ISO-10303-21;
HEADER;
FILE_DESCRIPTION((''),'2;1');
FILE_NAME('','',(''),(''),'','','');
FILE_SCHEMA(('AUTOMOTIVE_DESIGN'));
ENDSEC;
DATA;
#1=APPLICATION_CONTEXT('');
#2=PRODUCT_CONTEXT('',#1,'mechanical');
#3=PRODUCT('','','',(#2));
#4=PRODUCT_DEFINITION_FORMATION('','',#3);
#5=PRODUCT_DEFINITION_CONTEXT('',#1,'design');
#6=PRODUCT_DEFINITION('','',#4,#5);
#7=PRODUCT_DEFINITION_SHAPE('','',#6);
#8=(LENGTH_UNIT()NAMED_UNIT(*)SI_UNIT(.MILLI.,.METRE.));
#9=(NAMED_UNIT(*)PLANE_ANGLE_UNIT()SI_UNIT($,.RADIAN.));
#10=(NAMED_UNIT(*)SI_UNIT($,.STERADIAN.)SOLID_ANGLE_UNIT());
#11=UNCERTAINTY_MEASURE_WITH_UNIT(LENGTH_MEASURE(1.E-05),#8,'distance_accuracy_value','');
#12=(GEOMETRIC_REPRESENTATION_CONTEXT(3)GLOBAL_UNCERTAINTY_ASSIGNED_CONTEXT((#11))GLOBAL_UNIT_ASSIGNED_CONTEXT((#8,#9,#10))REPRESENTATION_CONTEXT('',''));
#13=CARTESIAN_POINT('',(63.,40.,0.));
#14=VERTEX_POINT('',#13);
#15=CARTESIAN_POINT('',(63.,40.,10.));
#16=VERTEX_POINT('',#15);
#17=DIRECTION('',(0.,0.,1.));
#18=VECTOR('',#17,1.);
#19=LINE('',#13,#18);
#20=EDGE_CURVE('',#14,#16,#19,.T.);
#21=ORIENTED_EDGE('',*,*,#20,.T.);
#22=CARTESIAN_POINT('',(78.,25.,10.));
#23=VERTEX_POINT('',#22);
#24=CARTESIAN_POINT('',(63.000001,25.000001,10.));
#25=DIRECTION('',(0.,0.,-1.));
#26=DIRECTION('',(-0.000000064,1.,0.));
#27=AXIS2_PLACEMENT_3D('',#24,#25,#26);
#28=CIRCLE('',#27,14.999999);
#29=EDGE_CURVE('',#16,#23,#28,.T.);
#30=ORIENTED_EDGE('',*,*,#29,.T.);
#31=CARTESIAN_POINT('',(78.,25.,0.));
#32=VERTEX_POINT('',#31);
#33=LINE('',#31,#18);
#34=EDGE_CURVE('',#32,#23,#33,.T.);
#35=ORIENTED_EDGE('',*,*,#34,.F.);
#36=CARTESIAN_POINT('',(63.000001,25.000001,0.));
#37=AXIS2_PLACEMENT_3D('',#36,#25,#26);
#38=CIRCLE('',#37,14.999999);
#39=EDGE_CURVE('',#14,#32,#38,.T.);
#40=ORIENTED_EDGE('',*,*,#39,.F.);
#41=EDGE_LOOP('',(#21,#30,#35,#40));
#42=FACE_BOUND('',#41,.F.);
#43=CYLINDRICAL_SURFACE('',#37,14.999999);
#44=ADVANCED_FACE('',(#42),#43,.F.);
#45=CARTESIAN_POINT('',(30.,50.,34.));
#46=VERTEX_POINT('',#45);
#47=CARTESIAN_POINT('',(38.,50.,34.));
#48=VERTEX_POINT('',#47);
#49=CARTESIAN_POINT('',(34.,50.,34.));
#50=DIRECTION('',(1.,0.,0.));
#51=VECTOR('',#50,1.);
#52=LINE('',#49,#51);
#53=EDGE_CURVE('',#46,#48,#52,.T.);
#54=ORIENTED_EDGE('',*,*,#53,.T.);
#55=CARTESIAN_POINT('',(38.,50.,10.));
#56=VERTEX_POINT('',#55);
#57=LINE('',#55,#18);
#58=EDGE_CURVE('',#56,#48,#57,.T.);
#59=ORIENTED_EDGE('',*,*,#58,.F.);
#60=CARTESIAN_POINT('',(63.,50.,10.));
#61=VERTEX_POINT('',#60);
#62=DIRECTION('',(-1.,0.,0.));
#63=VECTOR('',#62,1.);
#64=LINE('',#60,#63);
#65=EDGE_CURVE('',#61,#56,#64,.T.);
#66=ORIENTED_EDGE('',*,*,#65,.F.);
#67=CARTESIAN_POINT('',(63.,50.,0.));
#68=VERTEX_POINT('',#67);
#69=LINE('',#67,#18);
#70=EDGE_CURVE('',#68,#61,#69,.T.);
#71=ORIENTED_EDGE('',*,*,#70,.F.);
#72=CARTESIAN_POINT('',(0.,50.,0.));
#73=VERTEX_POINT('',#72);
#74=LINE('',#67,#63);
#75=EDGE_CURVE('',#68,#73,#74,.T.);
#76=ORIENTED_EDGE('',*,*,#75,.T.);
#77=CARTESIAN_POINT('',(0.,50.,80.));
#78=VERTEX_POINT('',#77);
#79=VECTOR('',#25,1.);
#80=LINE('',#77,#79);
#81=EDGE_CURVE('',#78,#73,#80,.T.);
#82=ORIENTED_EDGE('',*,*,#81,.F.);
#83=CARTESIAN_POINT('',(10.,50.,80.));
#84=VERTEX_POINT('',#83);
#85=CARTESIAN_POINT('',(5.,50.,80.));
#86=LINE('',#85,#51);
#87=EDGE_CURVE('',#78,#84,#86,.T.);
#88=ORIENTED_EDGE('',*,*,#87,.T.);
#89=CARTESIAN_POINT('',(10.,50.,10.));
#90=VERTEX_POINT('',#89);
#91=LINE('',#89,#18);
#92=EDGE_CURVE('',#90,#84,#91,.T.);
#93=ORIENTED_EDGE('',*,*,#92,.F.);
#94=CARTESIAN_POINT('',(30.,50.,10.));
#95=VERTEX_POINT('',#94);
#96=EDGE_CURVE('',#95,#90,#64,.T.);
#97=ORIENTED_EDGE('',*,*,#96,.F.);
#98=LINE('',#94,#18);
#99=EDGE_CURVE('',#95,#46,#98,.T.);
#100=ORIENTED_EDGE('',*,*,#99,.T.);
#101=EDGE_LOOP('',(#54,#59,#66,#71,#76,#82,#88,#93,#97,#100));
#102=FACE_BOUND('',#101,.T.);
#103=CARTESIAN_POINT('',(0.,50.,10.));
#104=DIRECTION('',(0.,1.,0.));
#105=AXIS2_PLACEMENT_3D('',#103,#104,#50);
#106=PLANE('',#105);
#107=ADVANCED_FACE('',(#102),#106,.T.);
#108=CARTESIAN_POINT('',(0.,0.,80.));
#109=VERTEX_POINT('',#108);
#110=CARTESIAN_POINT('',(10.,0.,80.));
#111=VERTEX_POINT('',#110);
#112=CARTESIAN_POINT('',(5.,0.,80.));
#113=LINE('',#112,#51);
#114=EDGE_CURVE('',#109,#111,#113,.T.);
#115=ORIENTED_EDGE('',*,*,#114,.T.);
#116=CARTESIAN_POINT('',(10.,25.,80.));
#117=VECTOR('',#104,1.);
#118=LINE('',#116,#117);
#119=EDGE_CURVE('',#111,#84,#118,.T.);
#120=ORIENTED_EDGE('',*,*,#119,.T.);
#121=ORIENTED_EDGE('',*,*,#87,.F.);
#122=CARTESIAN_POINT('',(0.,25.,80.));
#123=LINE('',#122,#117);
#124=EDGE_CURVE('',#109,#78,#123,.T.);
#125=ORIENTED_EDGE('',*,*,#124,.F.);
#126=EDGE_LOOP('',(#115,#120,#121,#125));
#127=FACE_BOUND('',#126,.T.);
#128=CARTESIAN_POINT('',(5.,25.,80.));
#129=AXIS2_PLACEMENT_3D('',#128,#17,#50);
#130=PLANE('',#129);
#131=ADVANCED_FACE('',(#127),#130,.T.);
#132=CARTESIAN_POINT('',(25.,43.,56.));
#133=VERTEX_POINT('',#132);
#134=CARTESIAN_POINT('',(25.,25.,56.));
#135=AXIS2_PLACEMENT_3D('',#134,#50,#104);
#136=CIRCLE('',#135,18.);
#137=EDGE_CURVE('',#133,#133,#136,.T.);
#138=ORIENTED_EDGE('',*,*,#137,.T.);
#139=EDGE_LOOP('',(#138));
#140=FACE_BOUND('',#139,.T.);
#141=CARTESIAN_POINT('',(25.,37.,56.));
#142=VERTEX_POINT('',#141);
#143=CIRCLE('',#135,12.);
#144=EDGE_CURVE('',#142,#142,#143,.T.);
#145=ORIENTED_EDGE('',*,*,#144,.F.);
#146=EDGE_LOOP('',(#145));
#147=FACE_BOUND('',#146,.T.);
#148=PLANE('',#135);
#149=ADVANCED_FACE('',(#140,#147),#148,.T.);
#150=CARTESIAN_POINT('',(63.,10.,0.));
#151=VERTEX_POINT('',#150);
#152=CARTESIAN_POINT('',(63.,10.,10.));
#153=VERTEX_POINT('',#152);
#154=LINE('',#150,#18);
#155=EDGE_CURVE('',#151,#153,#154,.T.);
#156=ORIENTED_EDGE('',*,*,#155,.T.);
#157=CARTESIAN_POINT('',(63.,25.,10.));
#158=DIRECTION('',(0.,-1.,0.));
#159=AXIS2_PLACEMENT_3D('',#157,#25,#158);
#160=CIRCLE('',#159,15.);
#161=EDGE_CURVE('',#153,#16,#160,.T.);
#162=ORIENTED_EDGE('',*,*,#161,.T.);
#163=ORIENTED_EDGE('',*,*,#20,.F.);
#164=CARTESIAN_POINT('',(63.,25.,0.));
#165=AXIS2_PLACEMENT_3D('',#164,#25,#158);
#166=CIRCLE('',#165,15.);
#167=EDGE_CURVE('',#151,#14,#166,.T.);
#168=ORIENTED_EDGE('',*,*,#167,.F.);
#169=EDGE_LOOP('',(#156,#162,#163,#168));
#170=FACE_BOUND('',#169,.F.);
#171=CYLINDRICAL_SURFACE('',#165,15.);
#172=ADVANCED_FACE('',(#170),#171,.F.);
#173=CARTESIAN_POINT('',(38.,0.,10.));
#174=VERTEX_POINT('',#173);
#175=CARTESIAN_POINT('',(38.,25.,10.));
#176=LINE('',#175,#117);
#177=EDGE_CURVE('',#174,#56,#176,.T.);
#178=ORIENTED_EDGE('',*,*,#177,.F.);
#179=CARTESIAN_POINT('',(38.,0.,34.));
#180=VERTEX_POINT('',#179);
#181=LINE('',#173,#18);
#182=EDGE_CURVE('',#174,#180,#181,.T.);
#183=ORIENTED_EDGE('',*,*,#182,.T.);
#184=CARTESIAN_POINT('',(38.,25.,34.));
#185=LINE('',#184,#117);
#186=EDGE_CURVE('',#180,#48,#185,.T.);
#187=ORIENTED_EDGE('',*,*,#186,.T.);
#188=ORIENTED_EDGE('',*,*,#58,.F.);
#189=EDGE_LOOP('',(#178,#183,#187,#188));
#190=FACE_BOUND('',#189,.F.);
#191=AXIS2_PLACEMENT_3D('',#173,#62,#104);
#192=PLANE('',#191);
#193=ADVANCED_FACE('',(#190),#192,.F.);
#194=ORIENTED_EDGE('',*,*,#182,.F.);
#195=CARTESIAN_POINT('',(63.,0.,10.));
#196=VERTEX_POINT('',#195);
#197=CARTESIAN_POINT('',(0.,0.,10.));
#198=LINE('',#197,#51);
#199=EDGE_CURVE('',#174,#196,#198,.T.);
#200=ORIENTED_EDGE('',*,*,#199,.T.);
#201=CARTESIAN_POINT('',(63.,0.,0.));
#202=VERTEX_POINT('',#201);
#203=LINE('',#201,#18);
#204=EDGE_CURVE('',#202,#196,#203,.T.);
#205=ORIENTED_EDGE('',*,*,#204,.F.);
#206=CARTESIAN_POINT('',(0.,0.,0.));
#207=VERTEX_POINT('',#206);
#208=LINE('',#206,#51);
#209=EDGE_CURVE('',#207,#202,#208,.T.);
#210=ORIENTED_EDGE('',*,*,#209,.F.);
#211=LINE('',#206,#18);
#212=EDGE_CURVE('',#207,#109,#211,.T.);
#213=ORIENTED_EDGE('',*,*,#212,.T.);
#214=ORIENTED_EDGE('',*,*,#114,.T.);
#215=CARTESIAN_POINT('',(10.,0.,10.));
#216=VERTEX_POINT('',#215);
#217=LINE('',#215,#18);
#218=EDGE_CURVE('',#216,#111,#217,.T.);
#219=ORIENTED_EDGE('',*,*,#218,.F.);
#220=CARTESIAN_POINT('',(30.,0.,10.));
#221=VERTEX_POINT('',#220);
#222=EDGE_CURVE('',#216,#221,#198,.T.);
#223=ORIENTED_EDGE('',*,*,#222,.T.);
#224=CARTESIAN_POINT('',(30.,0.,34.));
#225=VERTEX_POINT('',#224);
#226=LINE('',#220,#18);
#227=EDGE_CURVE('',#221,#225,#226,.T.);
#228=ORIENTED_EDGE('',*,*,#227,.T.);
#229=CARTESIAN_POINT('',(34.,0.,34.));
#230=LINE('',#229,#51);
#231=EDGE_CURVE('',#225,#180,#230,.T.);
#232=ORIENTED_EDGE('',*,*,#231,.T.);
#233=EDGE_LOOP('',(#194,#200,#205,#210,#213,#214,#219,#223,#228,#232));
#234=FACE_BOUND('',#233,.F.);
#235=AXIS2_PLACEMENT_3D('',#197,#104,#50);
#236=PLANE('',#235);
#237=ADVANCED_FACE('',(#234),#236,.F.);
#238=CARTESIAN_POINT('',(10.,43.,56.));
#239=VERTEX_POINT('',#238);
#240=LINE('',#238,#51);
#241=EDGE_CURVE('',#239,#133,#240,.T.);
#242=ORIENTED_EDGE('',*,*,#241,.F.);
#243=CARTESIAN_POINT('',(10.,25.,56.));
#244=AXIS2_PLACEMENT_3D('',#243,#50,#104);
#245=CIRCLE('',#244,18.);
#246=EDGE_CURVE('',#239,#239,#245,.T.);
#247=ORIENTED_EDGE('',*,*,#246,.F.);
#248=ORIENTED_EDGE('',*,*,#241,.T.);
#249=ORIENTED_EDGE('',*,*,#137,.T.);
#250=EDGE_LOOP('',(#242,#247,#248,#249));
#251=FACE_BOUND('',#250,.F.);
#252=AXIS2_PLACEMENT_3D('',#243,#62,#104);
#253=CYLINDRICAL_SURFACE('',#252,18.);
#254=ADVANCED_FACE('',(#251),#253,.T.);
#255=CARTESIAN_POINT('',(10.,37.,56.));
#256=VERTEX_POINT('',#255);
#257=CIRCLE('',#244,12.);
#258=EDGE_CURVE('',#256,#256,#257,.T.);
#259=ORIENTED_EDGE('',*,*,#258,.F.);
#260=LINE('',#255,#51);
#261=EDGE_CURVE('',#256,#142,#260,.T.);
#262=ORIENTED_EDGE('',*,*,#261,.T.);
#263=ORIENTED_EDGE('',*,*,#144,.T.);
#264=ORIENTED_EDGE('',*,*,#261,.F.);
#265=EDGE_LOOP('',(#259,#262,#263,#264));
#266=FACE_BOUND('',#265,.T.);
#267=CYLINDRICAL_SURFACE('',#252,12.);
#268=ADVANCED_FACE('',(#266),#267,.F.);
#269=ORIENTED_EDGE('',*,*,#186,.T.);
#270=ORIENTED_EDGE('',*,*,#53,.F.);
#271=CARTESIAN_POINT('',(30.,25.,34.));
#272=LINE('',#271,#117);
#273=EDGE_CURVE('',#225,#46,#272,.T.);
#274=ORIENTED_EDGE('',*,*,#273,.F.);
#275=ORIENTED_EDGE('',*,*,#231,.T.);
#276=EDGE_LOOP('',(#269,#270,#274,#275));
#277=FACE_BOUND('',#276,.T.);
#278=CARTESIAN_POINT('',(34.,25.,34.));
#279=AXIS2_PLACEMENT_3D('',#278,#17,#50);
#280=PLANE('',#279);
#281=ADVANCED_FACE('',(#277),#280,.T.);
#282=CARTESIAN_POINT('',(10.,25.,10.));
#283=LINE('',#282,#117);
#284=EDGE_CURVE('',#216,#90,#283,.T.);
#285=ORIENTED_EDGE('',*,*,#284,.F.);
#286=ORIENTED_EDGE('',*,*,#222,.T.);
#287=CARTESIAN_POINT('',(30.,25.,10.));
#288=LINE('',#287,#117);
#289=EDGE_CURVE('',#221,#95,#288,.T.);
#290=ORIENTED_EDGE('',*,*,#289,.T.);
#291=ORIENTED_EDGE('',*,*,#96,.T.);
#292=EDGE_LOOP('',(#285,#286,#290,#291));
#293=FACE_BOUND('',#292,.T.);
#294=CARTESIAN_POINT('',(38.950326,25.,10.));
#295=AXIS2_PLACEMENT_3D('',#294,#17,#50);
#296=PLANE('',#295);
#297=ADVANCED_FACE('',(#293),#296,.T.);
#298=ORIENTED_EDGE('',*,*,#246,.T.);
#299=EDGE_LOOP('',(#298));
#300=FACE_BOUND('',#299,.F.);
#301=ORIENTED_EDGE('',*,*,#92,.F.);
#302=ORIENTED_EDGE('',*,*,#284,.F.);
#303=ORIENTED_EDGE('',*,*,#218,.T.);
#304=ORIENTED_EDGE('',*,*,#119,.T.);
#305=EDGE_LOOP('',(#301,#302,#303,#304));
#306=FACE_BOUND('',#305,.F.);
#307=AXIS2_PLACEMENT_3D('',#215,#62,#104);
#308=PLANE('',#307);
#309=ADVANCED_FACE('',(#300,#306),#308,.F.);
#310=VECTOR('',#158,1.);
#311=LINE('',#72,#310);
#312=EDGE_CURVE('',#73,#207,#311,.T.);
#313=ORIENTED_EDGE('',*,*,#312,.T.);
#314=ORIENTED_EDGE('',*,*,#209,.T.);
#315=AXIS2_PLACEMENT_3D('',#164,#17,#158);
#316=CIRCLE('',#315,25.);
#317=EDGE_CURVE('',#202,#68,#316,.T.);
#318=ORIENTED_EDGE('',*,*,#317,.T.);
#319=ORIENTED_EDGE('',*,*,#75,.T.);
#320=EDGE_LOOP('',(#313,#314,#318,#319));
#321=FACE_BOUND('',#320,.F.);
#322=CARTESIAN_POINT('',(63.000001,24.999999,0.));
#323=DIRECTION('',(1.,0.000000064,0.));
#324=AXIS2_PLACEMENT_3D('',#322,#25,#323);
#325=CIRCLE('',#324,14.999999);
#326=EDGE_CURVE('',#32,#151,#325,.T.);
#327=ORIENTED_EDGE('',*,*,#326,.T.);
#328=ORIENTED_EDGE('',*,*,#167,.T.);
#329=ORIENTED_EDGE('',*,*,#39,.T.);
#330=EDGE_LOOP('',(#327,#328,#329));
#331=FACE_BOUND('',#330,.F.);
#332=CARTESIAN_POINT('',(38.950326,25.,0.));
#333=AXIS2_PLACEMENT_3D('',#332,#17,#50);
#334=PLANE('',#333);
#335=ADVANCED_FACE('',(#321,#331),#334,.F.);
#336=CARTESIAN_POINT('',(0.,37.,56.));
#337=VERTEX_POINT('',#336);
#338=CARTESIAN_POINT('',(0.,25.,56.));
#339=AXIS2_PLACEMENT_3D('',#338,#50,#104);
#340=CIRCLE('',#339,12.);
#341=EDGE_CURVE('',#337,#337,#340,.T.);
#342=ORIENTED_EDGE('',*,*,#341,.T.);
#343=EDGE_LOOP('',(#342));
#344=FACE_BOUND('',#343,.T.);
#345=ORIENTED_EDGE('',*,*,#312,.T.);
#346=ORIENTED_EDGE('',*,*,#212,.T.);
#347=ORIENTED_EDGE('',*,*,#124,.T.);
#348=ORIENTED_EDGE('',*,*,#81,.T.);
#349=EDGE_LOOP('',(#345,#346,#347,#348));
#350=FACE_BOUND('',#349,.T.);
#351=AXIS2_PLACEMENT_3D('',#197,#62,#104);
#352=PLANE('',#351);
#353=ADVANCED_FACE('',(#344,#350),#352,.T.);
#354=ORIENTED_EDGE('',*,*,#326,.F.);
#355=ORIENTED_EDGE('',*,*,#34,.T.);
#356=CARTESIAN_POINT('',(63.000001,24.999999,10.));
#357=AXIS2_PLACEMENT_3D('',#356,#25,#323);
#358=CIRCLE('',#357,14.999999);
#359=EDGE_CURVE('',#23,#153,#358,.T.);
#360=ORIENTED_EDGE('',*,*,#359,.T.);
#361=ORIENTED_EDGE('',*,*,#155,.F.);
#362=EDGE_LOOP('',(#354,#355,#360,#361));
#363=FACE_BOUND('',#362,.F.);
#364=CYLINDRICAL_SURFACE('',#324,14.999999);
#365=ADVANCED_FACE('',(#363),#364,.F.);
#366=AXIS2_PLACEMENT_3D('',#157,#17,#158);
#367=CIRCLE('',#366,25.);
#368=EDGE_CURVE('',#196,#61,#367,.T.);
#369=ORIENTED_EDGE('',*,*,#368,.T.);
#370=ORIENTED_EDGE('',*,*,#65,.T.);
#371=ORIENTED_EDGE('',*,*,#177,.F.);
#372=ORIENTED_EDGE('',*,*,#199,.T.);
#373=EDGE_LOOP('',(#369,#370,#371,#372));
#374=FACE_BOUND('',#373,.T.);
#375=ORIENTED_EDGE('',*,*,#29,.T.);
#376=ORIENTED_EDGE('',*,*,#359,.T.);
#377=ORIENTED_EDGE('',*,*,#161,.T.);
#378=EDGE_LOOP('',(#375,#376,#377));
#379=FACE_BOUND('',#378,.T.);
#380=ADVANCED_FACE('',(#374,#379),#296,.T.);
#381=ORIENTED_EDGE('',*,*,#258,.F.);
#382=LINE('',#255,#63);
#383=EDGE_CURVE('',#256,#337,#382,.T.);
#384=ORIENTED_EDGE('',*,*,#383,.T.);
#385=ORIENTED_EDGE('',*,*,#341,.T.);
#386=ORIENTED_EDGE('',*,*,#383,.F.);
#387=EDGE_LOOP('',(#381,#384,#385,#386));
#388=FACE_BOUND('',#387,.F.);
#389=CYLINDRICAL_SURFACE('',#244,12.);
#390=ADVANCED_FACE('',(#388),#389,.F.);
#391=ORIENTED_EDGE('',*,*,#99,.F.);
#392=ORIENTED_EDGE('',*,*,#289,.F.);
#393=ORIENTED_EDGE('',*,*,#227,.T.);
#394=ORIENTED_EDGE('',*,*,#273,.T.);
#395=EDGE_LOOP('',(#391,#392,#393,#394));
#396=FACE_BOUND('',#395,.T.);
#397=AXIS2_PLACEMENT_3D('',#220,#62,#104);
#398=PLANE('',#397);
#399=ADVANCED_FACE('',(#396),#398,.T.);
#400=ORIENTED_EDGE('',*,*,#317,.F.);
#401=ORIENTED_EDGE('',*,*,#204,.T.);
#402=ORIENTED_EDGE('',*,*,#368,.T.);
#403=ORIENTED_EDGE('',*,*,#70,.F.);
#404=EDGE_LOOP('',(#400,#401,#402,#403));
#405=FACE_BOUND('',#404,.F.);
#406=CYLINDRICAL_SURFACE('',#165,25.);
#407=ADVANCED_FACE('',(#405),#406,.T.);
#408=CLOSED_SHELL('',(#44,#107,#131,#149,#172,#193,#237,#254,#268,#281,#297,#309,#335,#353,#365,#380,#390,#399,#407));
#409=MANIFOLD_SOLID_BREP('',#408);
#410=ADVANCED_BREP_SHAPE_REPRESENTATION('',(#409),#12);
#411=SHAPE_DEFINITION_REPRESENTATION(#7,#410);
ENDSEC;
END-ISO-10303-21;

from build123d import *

# Parameters (mm, degrees)
F1_DEPTH = 10
F2_W     = 8
F2_H     = 50
F3_DEPTH = 24
F4_W     = 10
F4_H     = 50
F5_DEPTH = 70
F6_R     = 18
F6_R_2   = 12
F7_DEPTH = 15
F8_R     = 12
F9_DEPTH = 10


with BuildPart() as f1:
    # F0 (on Top) → F1 (new body)
    with BuildSketch(Plane.XY):
        with BuildLine():
            Line((0, 50), (0, 0))
            Line((0, 0), (63, 0))
            ThreePointArc((63, 0), (88, 25), (63, 50))
            Line((63, 50), (0, 50))
        make_face()
        with BuildLine():
            ThreePointArc((78, 25), (73.606602, 14.393398), (63, 10))
            ThreePointArc((63, 10), (48, 25), (63, 40))
            ThreePointArc((63, 40), (73.606602, 35.606602), (78, 25))
        make_face(mode=Mode.SUBTRACT)
    extrude(amount=F1_DEPTH)

    # F2 (on face) → F3 (join)
    with BuildSketch(Plane.XY.offset(10)):
        with Locations((34, 25)):
            Rectangle(F2_W, F2_H)
    extrude(amount=F3_DEPTH)

    # F4 (on face) → F5 (join)
    with BuildSketch(Plane.XY.offset(10)):
        with Locations((5, 25)):
            Rectangle(F4_W, F4_H)
    extrude(amount=F5_DEPTH)

    # F6 (on face) → F7 (join)
    with BuildSketch(Plane.YZ.offset(10)):
        with Locations((25, 56)):
            Circle(F6_R)
        with Locations((25, 56)):
            Circle(F6_R_2, mode=Mode.SUBTRACT)
    extrude(amount=F7_DEPTH)

    # F8 (on face) → F9 (cut, through all)
    with BuildSketch(Plane.YZ.offset(10)):
        with Locations((25, 56)):
            Circle(F8_R)
    extrude(amount=-F9_DEPTH, mode=Mode.SUBTRACT)


solid = f1.part
